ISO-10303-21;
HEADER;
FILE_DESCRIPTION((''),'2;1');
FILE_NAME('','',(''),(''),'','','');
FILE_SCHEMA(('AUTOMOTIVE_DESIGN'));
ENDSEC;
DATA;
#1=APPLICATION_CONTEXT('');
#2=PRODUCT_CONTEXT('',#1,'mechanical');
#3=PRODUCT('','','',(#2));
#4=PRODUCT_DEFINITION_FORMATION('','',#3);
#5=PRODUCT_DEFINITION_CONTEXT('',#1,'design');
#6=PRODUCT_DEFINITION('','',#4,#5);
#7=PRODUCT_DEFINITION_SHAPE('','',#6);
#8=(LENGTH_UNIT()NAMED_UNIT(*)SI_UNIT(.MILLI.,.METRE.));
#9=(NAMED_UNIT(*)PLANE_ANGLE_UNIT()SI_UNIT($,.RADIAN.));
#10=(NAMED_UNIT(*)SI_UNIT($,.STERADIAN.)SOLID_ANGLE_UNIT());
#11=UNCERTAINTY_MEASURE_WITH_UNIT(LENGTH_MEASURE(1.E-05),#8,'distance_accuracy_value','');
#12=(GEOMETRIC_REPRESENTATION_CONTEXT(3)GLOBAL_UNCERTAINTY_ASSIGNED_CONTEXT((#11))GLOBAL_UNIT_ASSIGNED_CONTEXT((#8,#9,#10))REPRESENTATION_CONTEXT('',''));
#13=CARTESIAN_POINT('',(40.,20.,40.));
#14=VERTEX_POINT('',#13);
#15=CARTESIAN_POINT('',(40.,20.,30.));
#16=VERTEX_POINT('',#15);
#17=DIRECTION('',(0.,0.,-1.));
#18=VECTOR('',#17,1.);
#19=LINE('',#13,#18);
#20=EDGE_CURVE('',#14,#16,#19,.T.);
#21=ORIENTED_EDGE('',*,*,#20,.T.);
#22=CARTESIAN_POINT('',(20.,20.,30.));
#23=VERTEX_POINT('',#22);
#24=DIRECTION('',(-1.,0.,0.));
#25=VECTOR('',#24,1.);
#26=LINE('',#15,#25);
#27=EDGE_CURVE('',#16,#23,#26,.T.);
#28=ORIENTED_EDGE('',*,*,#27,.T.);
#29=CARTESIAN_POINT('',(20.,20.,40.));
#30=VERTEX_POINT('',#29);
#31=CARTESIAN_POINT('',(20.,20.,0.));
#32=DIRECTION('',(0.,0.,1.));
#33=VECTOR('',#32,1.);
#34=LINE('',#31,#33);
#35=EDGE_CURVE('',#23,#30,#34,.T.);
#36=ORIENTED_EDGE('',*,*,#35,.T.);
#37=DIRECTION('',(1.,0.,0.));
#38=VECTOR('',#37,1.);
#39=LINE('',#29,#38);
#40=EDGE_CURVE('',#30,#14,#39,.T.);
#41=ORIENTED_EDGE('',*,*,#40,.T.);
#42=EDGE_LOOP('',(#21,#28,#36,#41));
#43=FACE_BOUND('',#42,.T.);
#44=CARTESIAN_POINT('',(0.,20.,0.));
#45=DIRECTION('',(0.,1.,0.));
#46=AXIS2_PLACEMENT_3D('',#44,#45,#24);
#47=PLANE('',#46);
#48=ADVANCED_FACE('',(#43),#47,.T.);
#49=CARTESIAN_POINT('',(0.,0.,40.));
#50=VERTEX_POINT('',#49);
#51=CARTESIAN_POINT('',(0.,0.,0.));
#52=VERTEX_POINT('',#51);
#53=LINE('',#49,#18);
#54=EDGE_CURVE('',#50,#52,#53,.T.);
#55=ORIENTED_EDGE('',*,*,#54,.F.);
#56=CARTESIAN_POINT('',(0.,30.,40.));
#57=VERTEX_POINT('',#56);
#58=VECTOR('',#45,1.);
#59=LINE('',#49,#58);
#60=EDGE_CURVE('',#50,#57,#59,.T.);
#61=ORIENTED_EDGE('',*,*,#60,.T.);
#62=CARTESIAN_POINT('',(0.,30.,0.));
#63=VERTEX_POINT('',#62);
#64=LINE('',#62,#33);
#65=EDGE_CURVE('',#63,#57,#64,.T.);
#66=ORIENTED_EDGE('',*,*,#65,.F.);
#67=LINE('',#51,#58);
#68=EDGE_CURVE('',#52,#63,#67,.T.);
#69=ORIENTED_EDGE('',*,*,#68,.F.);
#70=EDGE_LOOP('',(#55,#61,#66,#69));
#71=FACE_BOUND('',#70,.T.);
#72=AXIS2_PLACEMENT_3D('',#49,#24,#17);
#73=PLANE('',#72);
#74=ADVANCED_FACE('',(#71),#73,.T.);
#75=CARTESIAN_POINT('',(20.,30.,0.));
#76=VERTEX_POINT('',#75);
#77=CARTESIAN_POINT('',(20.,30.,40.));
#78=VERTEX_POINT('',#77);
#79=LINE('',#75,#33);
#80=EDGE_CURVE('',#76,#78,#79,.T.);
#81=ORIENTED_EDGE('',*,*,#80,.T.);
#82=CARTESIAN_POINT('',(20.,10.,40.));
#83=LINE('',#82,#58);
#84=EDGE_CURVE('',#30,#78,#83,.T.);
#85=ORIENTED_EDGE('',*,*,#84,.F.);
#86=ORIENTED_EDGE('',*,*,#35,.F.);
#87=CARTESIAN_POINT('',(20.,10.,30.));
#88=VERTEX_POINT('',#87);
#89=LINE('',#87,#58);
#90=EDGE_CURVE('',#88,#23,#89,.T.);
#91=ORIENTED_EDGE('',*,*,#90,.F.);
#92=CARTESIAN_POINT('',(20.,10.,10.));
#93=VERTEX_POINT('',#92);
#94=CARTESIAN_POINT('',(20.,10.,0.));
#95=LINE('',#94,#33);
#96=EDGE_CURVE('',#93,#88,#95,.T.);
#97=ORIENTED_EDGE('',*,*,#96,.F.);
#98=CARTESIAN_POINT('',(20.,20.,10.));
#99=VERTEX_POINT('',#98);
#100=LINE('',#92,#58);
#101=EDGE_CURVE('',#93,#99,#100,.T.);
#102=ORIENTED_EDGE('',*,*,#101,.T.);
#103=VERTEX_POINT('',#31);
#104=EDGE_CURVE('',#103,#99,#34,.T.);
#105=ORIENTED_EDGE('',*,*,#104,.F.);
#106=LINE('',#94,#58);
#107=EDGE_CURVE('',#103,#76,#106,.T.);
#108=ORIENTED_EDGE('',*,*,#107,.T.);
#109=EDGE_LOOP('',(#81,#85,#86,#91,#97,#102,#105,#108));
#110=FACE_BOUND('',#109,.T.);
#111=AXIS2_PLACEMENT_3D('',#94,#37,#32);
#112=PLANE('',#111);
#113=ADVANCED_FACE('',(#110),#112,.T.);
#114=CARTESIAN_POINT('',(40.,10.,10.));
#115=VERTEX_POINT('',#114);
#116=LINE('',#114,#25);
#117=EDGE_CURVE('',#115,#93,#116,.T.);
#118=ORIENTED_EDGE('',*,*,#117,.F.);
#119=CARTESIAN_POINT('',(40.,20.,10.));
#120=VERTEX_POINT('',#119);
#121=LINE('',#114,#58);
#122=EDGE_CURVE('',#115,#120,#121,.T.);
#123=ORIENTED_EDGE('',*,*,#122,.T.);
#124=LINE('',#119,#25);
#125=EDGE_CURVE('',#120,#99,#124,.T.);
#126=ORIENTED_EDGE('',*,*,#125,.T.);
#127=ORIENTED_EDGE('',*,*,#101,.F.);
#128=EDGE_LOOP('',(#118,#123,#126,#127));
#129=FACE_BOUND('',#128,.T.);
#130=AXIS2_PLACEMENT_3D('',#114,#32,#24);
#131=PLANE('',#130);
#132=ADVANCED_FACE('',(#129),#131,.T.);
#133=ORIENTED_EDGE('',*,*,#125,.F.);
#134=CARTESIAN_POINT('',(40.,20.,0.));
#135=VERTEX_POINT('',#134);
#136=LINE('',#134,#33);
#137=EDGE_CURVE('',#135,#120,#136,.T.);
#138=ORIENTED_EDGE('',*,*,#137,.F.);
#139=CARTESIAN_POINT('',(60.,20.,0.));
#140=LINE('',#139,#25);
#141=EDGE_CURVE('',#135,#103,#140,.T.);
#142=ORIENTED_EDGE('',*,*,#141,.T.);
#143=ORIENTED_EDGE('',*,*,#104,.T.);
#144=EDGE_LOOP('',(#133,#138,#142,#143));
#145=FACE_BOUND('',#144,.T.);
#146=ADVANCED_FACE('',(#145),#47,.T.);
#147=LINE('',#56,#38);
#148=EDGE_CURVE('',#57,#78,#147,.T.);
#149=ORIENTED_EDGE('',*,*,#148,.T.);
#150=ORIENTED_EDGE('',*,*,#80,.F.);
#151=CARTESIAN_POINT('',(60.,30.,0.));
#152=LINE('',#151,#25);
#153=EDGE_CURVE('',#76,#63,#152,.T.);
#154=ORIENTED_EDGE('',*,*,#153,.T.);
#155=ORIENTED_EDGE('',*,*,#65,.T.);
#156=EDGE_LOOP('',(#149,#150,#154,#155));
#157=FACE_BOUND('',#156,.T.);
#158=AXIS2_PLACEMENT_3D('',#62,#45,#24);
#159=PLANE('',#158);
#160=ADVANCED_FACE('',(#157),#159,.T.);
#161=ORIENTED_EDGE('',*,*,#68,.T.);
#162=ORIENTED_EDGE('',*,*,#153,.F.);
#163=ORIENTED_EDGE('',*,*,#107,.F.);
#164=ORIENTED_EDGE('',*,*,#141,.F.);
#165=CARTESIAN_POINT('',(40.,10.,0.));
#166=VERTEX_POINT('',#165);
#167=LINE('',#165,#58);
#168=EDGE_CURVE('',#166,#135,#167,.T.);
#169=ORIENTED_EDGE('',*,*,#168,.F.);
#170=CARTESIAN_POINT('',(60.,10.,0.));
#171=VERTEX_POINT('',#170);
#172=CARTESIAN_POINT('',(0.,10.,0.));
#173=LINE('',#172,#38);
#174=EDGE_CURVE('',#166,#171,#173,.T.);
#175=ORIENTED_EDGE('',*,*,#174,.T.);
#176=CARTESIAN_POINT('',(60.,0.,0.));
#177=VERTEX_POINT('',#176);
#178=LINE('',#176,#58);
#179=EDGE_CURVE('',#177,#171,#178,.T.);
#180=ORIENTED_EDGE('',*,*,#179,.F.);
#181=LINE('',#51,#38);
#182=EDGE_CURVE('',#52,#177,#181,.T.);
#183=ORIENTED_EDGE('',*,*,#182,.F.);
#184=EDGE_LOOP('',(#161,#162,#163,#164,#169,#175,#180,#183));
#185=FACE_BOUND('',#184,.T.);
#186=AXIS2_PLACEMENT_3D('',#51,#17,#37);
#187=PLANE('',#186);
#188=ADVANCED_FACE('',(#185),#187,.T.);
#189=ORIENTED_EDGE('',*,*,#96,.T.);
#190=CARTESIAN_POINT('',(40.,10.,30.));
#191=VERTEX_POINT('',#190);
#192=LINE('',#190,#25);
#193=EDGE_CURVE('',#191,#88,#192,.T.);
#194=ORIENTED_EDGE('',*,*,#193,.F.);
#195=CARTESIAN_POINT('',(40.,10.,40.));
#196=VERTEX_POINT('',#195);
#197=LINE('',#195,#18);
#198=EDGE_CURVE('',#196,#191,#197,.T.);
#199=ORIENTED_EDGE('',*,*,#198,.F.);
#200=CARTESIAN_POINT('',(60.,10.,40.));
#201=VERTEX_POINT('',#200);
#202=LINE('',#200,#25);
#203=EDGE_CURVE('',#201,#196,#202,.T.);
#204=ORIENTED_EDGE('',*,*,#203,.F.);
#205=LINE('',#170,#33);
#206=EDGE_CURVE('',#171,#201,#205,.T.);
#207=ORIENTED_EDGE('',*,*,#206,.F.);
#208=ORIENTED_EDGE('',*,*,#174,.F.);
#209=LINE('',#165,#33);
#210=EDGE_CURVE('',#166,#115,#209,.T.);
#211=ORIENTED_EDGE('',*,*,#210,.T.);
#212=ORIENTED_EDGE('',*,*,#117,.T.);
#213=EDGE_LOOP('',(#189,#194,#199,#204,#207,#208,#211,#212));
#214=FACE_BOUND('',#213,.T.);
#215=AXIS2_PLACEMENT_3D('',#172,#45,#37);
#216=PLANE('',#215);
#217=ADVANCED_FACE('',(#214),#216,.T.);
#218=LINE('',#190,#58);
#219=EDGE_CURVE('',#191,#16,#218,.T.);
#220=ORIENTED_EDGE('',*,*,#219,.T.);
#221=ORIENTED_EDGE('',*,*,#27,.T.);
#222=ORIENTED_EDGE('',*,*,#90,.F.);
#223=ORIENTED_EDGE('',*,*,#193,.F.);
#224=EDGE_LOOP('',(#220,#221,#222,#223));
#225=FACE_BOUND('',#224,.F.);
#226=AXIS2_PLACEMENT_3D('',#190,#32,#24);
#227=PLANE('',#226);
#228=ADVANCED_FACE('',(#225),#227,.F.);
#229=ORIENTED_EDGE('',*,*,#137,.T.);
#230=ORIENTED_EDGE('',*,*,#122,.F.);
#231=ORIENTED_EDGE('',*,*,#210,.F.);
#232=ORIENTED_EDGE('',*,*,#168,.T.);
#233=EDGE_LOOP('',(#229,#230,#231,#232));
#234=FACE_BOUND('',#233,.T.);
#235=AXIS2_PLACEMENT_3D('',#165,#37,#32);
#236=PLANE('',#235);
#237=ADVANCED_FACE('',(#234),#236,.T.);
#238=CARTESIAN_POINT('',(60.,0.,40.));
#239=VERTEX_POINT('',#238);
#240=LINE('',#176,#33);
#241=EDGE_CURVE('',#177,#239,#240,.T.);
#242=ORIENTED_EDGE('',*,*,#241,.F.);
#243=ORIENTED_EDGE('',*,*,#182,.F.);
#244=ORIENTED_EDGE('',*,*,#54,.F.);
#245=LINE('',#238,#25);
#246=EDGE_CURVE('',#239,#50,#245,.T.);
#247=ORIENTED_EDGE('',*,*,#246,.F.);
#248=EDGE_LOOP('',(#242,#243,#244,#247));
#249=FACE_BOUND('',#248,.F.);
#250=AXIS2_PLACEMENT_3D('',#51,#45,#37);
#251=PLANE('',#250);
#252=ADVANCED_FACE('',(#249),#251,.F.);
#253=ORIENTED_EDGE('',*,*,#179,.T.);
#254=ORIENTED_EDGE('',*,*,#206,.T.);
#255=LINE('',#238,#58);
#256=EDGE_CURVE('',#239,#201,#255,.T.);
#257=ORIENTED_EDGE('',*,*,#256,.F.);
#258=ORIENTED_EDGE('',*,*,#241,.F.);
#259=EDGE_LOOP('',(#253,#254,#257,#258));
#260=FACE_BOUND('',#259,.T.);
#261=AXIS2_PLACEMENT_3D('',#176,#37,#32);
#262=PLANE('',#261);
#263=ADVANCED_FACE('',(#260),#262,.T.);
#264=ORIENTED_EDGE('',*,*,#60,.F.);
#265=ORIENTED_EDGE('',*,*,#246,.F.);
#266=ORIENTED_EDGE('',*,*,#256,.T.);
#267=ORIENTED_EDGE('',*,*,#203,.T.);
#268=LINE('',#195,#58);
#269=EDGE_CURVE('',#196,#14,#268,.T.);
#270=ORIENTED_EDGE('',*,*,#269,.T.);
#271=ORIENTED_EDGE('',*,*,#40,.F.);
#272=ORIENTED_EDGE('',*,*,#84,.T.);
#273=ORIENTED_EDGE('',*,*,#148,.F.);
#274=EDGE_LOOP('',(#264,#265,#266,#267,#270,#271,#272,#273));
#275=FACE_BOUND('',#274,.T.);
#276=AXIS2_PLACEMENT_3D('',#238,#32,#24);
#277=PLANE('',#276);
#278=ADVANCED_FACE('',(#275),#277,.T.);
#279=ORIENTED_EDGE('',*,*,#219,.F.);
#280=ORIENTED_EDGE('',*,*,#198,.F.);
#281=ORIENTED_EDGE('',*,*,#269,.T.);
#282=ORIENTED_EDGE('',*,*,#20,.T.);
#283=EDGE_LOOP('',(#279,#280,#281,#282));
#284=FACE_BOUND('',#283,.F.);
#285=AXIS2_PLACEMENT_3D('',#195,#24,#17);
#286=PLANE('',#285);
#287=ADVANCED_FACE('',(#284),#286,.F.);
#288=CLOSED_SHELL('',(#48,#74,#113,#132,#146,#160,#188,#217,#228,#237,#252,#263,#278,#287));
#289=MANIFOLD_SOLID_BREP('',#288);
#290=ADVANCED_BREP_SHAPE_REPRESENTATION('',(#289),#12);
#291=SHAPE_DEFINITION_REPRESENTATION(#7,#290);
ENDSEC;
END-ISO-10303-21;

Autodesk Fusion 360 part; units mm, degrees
sketch "Sketch1" plane through (0, 0, 0) normal (0, 1, 0) x (1, 0, 0)
  line L0 (0, 0) -> (60, 0)
  line L1 (60, 0) -> (60, -40)
  line L2 (60, -40) -> (0, -40)
  line L3 (0, -40) -> (0, 0)
  dimension "d1" = 60
  dimension "d2" = 40
extrude "Extrude1" add sketch "Sketch1" along normal blind 10
sketch "Sketch2" plane through (0, 10, 0) normal (0, 1, 0) x (-1, 0, 0)
  line L0 (0, 40) -> (-60, 40)
  line L1 (-60, 40) -> (-60, 0)
  line L2 (-60, 0) -> (0, 0)
  line L3 (0, 0) -> (0, 40)
  line L4 (0, 0) -> (-20, 0)
  line L5 (-20, 0) -> (-20, 40)
  line L6 (-20, 40) -> (0, 40)
  line L7 (0, 40) -> (0, 0)
  dimension "d5" = 20
extrude "Extrude2" add sketch "Sketch2" along normal blind 20 contours L0 L2 L3 L4 L5 L6 L7
sketch "Sketch3" plane through (0, 10, 0) normal (0, 1, 0) x (-1, 0, 0)
  line L0 (-20, 0) -> (-20, 40)
  line L1 (-20, 40) -> (-60, 40)
  line L2 (-60, 40) -> (-60, 0)
  line L3 (-60, 0) -> (-20, 0)
  line L4 (-20, 0) -> (-40, 0)
  line L5 (-40, 0) -> (-40, 10)
  line L6 (-40, 10) -> (-20, 10)
  line L7 (-20, 10) -> (-20, 0)
  line L8 (-20, 40) -> (-40, 40)
  line L9 (-40, 40) -> (-40, 30)
  line L10 (-40, 30) -> (-20, 30)
  line L11 (-20, 30) -> (-20, 40)
  dimension "d8" = 20
  dimension "d9" = 20
  dimension "d10" = 10
  dimension "d11" = 10
extrude "Extrude3" add sketch "Sketch3" along normal blind 10 contours L0 L3 L4 L5 L6 L7 | L0 L1 L8 L9 L10 L11
